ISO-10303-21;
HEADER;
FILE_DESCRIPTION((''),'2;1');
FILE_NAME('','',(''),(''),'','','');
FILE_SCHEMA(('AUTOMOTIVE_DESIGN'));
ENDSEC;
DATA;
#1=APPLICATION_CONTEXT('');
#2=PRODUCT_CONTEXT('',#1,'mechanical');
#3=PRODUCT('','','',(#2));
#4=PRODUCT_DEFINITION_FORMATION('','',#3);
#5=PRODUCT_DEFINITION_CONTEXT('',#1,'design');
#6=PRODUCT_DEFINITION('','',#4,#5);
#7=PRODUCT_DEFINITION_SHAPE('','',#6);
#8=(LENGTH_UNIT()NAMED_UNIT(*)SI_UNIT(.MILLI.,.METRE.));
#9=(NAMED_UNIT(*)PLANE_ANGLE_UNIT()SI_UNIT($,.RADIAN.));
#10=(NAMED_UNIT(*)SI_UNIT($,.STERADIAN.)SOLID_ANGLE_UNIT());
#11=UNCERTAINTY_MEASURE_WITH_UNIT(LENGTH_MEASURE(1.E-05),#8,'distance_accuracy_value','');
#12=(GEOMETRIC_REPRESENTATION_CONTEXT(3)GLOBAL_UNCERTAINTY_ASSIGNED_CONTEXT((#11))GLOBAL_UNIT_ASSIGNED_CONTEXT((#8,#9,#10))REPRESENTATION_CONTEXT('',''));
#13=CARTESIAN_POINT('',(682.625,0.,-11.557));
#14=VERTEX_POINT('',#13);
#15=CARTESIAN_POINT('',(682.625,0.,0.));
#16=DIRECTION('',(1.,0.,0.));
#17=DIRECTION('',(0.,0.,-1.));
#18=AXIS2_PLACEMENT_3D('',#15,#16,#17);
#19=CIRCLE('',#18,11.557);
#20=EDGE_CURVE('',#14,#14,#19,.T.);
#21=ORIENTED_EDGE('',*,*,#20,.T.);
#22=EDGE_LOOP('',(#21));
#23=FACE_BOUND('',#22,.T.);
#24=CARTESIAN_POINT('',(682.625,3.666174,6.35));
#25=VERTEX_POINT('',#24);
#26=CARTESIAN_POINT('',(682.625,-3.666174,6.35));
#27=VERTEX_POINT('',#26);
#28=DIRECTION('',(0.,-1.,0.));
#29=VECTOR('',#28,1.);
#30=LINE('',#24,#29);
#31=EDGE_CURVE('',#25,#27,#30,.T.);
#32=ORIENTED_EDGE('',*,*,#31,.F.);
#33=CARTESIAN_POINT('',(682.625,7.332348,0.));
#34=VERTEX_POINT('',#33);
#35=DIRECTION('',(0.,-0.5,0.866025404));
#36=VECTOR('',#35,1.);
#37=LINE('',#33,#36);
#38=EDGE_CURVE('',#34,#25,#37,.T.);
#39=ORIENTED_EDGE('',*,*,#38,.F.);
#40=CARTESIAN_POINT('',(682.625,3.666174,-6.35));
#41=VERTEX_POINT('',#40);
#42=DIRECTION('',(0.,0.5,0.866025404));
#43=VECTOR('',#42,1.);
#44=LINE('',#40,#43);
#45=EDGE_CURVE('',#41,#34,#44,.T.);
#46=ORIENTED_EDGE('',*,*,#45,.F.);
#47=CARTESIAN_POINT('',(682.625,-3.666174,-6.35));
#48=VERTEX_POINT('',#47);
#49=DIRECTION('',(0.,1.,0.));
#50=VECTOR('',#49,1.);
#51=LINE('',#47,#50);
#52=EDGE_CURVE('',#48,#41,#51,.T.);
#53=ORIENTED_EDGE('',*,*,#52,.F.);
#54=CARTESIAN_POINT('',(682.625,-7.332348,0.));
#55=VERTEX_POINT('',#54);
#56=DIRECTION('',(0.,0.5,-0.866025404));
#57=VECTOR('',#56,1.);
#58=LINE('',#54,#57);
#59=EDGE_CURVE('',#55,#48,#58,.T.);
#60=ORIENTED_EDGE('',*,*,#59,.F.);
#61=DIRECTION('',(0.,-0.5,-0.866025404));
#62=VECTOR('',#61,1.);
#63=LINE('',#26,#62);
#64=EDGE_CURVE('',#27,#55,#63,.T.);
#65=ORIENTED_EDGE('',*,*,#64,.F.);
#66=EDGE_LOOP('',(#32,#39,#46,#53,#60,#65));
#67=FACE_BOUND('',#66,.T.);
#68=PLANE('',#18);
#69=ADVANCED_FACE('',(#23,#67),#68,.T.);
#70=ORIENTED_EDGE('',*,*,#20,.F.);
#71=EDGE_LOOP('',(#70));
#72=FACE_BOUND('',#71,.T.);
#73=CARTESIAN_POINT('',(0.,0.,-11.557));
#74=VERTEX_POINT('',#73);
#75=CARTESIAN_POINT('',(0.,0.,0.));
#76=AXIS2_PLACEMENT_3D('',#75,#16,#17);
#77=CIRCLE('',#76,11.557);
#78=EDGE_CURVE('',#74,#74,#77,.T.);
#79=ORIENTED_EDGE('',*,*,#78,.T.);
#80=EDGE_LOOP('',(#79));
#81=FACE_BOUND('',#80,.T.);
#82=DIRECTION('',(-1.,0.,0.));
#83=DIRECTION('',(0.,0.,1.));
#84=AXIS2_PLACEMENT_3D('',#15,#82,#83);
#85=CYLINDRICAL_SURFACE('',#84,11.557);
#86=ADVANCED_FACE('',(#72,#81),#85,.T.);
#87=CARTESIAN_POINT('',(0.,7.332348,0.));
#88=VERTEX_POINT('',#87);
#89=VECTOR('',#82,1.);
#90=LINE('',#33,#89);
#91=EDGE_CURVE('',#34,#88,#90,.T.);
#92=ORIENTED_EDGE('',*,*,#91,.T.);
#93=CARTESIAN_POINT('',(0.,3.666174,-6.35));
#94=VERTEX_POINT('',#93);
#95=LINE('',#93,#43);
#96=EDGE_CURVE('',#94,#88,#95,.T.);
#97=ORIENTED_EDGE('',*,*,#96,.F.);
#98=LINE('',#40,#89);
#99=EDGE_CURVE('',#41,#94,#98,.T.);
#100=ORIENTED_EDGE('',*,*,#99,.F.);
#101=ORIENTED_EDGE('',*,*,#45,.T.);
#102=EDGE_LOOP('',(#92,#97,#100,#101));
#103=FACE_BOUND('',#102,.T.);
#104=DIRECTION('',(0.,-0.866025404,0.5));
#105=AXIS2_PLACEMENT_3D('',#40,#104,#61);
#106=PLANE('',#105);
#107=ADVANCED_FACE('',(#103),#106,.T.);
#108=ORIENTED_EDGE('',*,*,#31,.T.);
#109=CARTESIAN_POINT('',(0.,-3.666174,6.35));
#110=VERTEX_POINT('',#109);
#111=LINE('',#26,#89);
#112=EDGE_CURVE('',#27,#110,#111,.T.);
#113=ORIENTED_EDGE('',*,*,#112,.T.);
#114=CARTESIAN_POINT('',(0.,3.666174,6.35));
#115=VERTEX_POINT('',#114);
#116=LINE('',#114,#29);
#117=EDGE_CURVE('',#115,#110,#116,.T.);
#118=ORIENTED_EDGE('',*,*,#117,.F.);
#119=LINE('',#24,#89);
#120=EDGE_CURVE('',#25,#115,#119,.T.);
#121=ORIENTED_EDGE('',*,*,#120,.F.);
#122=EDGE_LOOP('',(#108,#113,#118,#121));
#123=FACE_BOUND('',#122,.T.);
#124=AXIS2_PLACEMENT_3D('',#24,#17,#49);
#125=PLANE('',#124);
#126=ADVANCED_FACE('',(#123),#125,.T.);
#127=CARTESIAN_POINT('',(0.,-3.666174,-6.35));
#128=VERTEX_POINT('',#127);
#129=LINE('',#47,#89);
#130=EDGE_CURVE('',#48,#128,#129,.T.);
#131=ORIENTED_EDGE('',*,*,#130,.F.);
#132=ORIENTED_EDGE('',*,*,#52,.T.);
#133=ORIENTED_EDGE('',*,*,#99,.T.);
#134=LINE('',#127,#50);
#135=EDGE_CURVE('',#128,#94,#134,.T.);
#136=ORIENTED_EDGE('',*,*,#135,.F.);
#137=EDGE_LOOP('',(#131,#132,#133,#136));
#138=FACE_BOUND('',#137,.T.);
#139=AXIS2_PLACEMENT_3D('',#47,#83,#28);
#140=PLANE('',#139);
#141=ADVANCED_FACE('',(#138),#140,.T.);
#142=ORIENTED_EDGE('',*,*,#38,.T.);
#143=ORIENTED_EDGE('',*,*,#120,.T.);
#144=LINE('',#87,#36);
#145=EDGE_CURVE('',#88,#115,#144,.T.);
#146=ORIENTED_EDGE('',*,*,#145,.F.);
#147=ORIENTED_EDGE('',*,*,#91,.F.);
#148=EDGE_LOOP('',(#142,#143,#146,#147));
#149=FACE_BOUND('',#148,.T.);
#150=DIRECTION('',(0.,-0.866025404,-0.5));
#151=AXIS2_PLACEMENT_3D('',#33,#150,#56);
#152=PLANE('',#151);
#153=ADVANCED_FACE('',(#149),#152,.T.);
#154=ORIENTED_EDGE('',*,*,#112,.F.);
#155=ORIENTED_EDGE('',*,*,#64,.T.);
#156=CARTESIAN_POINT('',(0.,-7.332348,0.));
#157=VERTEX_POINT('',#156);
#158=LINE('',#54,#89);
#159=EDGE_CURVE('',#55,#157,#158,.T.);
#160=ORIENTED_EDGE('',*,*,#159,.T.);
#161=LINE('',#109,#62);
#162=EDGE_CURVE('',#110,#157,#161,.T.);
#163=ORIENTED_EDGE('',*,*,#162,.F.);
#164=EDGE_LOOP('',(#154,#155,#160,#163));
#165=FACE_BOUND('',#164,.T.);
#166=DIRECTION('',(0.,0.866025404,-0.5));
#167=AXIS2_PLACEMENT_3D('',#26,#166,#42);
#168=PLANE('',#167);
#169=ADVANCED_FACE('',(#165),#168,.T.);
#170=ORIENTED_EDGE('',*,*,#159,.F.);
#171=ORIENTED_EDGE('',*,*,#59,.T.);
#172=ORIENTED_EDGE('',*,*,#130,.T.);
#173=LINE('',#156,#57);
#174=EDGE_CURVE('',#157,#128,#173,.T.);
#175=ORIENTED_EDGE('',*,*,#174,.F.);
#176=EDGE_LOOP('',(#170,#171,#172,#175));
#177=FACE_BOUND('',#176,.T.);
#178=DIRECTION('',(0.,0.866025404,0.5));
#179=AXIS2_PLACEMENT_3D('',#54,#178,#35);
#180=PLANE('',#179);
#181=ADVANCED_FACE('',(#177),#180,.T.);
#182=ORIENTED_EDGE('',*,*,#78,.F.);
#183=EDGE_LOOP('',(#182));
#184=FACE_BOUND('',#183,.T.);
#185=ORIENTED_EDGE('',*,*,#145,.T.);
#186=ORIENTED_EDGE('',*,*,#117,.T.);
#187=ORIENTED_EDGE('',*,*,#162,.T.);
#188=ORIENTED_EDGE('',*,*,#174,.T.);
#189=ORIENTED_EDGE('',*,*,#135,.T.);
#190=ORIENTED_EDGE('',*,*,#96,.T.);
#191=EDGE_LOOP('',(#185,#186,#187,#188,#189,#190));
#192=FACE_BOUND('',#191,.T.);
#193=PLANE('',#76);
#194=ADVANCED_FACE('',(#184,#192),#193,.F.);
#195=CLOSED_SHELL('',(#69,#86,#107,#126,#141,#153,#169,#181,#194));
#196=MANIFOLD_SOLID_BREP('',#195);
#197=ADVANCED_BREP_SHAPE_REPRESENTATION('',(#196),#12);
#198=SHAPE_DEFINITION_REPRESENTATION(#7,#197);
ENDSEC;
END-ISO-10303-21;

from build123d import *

# Parameters (mm, degrees)
SKETCH1_R           = 11.557
BOSS_EXTRUDE1_DEPTH = 682.625


with BuildPart() as part:
    # Sketch1 → Boss-Extrude1 (new body)
    with BuildSketch(Plane(origin=(0, 0, 0), x_dir=(0, 0, -1), z_dir=(1, 0, 0))):
        Circle(SKETCH1_R)
        Polygon((0, 7.332348419), (-6.35, 3.666174209), (-6.35, -3.666174209), (0, -7.332348419), (6.35, -3.666174209), (6.35, 3.666174209), align=None, mode=Mode.SUBTRACT)
    extrude(amount=BOSS_EXTRUDE1_DEPTH)


solid = part.part
